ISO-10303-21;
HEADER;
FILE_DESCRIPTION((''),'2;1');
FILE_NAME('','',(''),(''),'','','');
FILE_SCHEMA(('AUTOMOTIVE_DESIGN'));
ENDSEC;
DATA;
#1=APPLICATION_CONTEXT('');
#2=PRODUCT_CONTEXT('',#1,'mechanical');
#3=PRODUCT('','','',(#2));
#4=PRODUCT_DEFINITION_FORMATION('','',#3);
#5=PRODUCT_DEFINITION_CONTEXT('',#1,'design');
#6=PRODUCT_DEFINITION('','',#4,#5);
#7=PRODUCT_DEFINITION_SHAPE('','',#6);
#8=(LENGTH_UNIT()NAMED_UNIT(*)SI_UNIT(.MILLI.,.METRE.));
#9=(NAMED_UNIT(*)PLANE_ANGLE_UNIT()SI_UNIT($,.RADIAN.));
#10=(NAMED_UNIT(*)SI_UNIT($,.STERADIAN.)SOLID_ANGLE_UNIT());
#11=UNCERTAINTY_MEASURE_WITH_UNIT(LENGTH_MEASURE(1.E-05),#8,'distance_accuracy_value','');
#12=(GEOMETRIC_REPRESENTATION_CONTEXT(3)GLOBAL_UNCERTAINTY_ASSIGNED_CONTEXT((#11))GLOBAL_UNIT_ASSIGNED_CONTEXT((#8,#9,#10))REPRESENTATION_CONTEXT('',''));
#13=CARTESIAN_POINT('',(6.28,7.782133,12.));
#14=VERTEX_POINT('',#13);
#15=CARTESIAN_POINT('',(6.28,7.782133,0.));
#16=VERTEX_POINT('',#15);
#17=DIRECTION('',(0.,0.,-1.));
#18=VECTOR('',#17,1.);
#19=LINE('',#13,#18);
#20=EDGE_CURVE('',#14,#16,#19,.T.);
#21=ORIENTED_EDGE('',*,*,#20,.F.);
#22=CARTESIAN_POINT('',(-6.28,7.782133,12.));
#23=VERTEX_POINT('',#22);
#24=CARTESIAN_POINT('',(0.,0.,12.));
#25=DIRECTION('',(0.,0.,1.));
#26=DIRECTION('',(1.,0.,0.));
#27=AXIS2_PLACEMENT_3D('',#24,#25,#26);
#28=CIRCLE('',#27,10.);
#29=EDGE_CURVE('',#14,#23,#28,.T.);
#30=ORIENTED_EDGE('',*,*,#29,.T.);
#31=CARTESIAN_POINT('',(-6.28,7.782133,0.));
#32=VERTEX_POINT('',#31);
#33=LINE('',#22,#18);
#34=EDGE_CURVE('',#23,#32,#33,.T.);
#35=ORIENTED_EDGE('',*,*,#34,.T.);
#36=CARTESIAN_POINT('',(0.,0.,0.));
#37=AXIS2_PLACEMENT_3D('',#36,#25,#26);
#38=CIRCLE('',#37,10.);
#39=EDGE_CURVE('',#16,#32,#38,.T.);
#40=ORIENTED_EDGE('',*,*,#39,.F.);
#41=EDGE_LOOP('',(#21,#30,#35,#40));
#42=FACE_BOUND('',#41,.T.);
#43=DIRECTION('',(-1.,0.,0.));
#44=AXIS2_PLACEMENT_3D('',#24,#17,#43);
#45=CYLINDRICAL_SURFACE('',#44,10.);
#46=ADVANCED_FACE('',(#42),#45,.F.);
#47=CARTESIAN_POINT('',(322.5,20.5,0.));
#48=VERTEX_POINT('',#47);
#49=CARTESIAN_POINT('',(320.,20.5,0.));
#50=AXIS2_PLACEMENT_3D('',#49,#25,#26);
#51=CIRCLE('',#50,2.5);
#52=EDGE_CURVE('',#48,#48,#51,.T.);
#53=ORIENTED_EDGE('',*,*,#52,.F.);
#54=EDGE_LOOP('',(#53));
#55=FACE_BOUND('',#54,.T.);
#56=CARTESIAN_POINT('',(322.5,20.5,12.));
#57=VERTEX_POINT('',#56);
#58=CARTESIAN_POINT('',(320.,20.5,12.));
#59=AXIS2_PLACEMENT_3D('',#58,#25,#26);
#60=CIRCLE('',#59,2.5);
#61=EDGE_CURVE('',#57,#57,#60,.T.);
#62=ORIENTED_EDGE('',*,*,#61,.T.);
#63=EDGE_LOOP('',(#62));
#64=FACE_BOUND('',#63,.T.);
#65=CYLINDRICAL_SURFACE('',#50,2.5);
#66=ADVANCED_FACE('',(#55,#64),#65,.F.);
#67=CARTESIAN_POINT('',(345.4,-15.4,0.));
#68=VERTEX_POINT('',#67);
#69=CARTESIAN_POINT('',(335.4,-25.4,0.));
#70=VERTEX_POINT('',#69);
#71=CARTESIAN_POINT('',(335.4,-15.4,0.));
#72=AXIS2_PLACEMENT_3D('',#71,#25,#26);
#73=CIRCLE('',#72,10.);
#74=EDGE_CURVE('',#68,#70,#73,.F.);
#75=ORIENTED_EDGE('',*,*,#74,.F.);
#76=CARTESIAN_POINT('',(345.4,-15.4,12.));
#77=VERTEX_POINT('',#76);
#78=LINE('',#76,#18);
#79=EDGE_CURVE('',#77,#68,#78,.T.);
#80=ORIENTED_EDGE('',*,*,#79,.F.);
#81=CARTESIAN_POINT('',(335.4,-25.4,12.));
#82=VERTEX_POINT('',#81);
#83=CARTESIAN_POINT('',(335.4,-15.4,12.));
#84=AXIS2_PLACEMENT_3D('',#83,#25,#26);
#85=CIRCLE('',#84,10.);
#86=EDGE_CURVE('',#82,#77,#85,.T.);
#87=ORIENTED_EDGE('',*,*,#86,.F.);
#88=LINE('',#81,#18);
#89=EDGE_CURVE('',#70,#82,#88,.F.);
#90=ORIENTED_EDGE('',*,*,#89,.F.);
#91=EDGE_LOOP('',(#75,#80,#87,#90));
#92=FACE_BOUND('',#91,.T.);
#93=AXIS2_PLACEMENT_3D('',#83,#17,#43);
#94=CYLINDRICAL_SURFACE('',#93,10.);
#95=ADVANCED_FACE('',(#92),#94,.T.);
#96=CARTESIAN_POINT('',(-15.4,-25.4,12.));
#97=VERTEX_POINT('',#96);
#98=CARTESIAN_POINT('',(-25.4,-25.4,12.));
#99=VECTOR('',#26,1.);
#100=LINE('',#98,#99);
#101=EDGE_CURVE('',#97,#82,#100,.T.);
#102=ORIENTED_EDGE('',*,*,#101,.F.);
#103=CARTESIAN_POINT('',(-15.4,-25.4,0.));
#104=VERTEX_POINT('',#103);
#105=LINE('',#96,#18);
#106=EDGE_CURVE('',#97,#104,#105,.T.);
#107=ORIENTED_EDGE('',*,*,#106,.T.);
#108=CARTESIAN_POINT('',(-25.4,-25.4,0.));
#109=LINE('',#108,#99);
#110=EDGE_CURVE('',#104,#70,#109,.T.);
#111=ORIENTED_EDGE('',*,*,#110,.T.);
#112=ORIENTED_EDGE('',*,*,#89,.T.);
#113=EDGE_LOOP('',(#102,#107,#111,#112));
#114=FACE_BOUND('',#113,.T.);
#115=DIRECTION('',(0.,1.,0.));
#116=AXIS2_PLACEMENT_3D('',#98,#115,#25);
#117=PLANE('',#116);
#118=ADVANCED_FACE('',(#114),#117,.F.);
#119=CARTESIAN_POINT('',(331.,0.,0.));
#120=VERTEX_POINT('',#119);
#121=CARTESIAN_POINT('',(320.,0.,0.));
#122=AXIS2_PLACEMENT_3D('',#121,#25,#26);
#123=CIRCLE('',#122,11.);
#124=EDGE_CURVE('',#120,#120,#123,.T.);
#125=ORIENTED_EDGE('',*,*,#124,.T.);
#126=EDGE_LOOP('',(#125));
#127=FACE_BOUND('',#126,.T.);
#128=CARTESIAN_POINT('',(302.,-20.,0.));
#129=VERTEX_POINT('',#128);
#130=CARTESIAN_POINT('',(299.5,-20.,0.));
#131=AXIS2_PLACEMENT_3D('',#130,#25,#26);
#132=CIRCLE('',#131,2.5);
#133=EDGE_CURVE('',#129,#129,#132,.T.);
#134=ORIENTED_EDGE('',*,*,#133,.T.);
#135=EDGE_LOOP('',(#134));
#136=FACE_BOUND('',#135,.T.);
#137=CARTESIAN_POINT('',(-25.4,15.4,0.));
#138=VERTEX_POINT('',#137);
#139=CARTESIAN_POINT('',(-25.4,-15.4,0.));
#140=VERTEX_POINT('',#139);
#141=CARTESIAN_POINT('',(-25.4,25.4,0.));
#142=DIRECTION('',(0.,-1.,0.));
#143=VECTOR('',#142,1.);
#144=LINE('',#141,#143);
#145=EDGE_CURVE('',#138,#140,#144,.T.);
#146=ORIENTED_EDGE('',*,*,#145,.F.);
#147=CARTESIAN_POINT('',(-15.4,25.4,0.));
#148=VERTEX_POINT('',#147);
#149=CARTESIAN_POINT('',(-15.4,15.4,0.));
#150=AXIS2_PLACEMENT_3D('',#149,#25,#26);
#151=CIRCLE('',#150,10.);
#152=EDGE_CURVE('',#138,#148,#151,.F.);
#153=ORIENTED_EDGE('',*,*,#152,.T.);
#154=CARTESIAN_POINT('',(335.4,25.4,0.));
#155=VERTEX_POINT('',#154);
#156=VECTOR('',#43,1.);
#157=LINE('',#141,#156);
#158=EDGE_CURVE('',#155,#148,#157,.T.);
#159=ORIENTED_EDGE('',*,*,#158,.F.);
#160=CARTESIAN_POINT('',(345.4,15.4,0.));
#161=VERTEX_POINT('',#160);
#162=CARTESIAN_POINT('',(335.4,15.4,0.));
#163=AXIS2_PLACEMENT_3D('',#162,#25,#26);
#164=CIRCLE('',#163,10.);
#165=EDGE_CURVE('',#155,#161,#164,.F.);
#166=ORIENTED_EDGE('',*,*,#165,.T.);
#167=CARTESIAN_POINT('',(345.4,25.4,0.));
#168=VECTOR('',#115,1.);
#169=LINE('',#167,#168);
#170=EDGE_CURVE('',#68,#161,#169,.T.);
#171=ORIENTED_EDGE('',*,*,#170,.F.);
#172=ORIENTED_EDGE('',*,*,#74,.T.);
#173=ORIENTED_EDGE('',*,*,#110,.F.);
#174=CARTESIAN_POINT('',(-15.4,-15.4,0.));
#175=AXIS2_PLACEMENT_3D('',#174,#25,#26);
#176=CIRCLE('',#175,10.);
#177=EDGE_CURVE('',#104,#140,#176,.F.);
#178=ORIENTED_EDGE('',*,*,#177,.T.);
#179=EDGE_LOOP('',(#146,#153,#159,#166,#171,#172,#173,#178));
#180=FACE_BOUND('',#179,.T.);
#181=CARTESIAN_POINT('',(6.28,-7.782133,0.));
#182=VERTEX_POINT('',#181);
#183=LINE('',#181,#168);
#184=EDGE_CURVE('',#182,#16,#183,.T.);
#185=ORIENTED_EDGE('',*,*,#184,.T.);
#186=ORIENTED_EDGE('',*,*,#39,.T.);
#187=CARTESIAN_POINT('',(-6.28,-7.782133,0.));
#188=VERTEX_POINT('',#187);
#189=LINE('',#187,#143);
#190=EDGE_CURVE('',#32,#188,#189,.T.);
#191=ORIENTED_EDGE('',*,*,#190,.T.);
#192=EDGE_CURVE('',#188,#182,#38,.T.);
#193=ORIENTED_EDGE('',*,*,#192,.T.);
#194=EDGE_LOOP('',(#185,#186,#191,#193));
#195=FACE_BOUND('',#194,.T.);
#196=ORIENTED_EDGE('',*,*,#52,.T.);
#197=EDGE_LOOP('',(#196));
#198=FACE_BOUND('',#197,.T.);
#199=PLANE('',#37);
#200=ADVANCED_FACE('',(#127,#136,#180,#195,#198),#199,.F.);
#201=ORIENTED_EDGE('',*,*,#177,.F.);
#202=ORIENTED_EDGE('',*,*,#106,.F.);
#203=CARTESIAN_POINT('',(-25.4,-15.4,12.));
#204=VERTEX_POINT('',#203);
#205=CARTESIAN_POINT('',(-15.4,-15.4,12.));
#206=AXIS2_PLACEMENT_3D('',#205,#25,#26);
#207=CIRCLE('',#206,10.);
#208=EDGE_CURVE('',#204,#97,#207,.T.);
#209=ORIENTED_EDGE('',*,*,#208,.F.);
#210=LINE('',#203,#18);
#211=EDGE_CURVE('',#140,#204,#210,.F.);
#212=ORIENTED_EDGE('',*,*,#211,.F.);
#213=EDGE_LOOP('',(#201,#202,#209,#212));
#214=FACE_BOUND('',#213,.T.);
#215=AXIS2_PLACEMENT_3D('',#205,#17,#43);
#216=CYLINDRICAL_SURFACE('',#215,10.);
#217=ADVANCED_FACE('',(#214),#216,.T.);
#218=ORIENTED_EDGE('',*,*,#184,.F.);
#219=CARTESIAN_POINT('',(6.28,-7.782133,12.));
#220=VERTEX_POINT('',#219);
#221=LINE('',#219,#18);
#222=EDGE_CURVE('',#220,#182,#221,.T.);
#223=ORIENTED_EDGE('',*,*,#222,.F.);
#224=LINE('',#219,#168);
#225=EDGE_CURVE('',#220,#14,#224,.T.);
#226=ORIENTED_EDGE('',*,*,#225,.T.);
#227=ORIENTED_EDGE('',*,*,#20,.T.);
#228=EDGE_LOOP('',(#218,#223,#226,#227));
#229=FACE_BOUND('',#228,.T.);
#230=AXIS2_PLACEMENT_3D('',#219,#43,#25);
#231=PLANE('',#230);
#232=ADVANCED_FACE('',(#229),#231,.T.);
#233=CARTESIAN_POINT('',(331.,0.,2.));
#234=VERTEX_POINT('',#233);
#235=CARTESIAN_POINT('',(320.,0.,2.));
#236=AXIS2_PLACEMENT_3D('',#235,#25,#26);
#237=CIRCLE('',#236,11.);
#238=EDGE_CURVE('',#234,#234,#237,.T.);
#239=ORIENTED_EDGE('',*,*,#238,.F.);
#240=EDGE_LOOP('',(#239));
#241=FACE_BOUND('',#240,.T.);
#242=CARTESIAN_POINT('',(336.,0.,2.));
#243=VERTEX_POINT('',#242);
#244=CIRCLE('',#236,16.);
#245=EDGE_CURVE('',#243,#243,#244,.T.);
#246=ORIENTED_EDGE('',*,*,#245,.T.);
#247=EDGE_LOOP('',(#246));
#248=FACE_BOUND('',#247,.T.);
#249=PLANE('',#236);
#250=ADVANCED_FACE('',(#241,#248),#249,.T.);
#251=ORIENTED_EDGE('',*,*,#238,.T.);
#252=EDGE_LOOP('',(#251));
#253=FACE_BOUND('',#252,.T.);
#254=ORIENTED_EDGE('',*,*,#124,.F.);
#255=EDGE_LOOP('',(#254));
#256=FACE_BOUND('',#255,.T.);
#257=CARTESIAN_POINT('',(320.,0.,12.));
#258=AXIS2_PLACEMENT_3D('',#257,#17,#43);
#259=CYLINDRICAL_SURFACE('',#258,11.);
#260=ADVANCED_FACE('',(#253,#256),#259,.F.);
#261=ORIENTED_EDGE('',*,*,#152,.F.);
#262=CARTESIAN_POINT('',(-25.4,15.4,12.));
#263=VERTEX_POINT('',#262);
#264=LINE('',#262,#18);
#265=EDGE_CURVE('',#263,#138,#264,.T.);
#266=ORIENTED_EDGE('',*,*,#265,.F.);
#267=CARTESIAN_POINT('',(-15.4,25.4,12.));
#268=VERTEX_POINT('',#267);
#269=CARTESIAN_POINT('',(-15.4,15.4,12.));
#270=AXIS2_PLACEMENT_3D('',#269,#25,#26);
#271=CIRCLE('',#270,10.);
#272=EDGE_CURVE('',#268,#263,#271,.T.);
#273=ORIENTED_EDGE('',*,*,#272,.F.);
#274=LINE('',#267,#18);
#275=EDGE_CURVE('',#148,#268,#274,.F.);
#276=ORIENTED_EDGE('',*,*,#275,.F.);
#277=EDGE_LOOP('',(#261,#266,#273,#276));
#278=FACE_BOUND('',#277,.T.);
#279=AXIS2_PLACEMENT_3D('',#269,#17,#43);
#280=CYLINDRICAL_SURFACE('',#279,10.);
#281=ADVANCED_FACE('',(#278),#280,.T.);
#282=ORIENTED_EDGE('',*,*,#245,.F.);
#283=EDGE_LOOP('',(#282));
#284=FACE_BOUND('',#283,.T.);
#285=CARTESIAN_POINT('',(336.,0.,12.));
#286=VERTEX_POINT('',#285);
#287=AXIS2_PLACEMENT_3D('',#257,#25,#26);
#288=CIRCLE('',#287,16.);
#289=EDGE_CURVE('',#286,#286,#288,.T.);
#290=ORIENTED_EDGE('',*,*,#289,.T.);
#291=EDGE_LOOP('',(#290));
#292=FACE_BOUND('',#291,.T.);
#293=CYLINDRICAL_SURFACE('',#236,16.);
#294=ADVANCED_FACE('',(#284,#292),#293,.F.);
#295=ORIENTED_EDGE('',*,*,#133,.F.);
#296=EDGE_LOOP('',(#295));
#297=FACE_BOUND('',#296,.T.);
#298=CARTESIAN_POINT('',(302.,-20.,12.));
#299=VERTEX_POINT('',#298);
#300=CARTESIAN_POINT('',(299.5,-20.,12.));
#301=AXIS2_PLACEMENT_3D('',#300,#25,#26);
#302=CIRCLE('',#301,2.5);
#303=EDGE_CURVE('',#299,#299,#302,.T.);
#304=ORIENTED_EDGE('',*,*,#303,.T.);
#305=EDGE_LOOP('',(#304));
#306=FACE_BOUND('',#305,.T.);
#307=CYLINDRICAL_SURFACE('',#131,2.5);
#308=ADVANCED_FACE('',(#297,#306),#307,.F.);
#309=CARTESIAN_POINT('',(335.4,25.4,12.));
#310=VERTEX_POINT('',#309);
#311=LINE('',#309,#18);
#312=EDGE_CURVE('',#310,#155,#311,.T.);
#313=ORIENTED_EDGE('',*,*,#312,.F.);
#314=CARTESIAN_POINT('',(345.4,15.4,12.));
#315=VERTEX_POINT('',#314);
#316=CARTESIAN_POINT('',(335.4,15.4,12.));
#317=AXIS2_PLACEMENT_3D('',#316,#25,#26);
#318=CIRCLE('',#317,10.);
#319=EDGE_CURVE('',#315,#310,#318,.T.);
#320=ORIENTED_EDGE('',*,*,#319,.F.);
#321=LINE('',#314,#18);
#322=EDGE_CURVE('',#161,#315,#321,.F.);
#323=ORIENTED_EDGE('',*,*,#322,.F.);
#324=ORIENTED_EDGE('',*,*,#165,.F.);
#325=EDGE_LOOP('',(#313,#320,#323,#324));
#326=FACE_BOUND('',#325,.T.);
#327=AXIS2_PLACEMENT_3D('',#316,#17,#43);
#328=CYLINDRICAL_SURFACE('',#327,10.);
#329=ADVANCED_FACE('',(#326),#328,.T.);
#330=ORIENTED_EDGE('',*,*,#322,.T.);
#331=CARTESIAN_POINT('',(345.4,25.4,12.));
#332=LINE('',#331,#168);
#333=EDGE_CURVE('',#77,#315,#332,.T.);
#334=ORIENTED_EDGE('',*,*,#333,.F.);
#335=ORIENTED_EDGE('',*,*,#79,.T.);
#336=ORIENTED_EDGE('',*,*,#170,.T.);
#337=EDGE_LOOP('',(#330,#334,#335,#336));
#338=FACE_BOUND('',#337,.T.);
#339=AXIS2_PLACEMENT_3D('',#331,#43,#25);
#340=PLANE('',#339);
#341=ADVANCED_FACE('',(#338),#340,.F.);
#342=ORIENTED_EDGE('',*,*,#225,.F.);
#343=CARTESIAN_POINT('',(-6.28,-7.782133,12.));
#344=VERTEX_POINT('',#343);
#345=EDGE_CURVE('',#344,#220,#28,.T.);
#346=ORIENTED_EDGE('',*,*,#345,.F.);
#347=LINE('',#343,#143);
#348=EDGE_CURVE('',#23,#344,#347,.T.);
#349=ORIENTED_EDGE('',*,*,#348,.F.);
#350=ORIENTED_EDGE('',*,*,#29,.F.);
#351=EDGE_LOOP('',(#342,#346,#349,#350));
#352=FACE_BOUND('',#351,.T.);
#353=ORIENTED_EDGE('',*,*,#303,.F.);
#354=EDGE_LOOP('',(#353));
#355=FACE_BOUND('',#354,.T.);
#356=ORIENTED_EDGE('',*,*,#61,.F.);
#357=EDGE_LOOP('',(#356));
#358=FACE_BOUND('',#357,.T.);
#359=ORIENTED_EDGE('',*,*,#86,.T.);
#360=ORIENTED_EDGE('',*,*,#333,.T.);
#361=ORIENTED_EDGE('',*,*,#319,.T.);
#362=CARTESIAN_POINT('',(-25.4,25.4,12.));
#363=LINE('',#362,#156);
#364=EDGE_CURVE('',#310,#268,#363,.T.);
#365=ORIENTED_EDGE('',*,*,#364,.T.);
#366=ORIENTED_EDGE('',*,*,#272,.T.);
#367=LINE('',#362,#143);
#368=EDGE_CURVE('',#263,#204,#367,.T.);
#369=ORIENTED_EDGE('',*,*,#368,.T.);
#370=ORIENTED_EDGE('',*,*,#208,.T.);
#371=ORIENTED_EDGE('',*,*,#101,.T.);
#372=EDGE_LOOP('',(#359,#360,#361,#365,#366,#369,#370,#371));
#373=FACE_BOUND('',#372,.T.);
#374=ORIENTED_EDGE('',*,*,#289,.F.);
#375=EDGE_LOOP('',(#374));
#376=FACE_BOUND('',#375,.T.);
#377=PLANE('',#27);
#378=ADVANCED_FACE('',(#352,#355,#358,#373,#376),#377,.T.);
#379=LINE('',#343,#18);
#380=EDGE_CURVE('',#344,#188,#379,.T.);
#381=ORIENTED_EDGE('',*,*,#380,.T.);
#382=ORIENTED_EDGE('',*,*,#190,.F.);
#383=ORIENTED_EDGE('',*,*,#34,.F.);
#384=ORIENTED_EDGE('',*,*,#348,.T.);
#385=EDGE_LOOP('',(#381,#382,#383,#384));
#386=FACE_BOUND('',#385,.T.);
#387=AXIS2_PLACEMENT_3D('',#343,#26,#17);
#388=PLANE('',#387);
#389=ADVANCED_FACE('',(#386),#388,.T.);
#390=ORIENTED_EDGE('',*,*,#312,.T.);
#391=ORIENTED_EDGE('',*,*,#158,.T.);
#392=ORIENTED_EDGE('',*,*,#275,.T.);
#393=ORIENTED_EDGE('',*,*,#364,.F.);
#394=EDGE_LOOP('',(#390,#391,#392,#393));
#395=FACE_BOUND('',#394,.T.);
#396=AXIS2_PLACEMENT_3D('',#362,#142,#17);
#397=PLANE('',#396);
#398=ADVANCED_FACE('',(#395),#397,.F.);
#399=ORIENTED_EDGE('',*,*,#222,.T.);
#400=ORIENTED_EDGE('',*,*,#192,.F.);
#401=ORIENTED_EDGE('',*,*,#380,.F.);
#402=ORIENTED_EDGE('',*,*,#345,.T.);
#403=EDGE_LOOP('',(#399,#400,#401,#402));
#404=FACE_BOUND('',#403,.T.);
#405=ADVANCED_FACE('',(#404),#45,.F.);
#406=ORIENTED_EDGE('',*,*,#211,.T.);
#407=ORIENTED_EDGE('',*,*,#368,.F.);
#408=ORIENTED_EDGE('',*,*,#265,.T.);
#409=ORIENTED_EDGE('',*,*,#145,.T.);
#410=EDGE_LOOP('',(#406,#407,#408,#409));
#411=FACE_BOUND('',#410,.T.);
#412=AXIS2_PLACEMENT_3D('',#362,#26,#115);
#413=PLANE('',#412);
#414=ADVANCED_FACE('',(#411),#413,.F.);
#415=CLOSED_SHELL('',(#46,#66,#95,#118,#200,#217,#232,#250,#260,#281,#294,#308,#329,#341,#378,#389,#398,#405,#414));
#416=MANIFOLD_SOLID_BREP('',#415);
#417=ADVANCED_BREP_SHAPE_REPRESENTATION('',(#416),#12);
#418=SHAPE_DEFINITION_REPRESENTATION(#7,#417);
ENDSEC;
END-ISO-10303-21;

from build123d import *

# Parameters (mm, degrees)
CROQUIS1_W              = 370.8
CROQUIS1_H              = 50.8
CROQUIS1_R              = 11
SALIENTE_EXTRUIR1_DEPTH = 12
REDONDEO1_R             = 10
CROQUIS4_R              = 16
CORTAR_EXTRUIR3_DEPTH   = 10
CROQUIS6_R              = 2.5
CORTAR_EXTRUIR4_DEPTH   = 347.540502683


with BuildPart() as part:
    # Croquis1 → Saliente-Extruir1 (new body)
    with BuildSketch(Plane.XY):
        with Locations((160, 0)):
            Rectangle(CROQUIS1_W, CROQUIS1_H)
        with Locations((320, 0)):
            Circle(CROQUIS1_R, mode=Mode.SUBTRACT)
        with BuildLine():
            Line((-6.28, -7.782133384), (-6.28, 7.782133384))
            ThreePointArc((-6.28, 7.782133384), (0, 10), (6.28, 7.782133384))
            Line((6.28, 7.782133384), (6.28, -7.782133384))
            ThreePointArc((6.28, -7.782133384), (0, -10), (-6.28, -7.782133384))
        make_face(mode=Mode.SUBTRACT)
    extrude(amount=SALIENTE_EXTRUIR1_DEPTH)

    # Redondeo1
    redondeo1_edges = [part.edges().sort_by_distance(p)[0] for p in [
        (-25.4, 25.4, 6),
        (345.4, 25.4, 6),
        (345.4, -25.4, 6),
        (-25.4, -25.4, 6),
    ]]
    fillet(redondeo1_edges, radius=REDONDEO1_R)

    # Croquis4 → Cortar-Extruir3 (cut)
    with BuildSketch(Plane.XY.offset(12)):
        with Locations((320, 0)):
            Circle(CROQUIS4_R)
    extrude(amount=-CORTAR_EXTRUIR3_DEPTH, mode=Mode.SUBTRACT)

    # Croquis6 → Cortar-Extruir4 (cut, through all)
    with BuildSketch(Plane.XY.offset(12)):
        with Locations((320, 20.5)):
            Circle(CROQUIS6_R)
        with Locations((360.5, 0)):
            Circle(CROQUIS6_R)
        with Locations((340, -40.5)):
            Circle(CROQUIS6_R)
        with Locations((299.5, -20)):
            Circle(CROQUIS6_R)
    extrude(amount=-CORTAR_EXTRUIR4_DEPTH, mode=Mode.SUBTRACT)


solid = part.part
